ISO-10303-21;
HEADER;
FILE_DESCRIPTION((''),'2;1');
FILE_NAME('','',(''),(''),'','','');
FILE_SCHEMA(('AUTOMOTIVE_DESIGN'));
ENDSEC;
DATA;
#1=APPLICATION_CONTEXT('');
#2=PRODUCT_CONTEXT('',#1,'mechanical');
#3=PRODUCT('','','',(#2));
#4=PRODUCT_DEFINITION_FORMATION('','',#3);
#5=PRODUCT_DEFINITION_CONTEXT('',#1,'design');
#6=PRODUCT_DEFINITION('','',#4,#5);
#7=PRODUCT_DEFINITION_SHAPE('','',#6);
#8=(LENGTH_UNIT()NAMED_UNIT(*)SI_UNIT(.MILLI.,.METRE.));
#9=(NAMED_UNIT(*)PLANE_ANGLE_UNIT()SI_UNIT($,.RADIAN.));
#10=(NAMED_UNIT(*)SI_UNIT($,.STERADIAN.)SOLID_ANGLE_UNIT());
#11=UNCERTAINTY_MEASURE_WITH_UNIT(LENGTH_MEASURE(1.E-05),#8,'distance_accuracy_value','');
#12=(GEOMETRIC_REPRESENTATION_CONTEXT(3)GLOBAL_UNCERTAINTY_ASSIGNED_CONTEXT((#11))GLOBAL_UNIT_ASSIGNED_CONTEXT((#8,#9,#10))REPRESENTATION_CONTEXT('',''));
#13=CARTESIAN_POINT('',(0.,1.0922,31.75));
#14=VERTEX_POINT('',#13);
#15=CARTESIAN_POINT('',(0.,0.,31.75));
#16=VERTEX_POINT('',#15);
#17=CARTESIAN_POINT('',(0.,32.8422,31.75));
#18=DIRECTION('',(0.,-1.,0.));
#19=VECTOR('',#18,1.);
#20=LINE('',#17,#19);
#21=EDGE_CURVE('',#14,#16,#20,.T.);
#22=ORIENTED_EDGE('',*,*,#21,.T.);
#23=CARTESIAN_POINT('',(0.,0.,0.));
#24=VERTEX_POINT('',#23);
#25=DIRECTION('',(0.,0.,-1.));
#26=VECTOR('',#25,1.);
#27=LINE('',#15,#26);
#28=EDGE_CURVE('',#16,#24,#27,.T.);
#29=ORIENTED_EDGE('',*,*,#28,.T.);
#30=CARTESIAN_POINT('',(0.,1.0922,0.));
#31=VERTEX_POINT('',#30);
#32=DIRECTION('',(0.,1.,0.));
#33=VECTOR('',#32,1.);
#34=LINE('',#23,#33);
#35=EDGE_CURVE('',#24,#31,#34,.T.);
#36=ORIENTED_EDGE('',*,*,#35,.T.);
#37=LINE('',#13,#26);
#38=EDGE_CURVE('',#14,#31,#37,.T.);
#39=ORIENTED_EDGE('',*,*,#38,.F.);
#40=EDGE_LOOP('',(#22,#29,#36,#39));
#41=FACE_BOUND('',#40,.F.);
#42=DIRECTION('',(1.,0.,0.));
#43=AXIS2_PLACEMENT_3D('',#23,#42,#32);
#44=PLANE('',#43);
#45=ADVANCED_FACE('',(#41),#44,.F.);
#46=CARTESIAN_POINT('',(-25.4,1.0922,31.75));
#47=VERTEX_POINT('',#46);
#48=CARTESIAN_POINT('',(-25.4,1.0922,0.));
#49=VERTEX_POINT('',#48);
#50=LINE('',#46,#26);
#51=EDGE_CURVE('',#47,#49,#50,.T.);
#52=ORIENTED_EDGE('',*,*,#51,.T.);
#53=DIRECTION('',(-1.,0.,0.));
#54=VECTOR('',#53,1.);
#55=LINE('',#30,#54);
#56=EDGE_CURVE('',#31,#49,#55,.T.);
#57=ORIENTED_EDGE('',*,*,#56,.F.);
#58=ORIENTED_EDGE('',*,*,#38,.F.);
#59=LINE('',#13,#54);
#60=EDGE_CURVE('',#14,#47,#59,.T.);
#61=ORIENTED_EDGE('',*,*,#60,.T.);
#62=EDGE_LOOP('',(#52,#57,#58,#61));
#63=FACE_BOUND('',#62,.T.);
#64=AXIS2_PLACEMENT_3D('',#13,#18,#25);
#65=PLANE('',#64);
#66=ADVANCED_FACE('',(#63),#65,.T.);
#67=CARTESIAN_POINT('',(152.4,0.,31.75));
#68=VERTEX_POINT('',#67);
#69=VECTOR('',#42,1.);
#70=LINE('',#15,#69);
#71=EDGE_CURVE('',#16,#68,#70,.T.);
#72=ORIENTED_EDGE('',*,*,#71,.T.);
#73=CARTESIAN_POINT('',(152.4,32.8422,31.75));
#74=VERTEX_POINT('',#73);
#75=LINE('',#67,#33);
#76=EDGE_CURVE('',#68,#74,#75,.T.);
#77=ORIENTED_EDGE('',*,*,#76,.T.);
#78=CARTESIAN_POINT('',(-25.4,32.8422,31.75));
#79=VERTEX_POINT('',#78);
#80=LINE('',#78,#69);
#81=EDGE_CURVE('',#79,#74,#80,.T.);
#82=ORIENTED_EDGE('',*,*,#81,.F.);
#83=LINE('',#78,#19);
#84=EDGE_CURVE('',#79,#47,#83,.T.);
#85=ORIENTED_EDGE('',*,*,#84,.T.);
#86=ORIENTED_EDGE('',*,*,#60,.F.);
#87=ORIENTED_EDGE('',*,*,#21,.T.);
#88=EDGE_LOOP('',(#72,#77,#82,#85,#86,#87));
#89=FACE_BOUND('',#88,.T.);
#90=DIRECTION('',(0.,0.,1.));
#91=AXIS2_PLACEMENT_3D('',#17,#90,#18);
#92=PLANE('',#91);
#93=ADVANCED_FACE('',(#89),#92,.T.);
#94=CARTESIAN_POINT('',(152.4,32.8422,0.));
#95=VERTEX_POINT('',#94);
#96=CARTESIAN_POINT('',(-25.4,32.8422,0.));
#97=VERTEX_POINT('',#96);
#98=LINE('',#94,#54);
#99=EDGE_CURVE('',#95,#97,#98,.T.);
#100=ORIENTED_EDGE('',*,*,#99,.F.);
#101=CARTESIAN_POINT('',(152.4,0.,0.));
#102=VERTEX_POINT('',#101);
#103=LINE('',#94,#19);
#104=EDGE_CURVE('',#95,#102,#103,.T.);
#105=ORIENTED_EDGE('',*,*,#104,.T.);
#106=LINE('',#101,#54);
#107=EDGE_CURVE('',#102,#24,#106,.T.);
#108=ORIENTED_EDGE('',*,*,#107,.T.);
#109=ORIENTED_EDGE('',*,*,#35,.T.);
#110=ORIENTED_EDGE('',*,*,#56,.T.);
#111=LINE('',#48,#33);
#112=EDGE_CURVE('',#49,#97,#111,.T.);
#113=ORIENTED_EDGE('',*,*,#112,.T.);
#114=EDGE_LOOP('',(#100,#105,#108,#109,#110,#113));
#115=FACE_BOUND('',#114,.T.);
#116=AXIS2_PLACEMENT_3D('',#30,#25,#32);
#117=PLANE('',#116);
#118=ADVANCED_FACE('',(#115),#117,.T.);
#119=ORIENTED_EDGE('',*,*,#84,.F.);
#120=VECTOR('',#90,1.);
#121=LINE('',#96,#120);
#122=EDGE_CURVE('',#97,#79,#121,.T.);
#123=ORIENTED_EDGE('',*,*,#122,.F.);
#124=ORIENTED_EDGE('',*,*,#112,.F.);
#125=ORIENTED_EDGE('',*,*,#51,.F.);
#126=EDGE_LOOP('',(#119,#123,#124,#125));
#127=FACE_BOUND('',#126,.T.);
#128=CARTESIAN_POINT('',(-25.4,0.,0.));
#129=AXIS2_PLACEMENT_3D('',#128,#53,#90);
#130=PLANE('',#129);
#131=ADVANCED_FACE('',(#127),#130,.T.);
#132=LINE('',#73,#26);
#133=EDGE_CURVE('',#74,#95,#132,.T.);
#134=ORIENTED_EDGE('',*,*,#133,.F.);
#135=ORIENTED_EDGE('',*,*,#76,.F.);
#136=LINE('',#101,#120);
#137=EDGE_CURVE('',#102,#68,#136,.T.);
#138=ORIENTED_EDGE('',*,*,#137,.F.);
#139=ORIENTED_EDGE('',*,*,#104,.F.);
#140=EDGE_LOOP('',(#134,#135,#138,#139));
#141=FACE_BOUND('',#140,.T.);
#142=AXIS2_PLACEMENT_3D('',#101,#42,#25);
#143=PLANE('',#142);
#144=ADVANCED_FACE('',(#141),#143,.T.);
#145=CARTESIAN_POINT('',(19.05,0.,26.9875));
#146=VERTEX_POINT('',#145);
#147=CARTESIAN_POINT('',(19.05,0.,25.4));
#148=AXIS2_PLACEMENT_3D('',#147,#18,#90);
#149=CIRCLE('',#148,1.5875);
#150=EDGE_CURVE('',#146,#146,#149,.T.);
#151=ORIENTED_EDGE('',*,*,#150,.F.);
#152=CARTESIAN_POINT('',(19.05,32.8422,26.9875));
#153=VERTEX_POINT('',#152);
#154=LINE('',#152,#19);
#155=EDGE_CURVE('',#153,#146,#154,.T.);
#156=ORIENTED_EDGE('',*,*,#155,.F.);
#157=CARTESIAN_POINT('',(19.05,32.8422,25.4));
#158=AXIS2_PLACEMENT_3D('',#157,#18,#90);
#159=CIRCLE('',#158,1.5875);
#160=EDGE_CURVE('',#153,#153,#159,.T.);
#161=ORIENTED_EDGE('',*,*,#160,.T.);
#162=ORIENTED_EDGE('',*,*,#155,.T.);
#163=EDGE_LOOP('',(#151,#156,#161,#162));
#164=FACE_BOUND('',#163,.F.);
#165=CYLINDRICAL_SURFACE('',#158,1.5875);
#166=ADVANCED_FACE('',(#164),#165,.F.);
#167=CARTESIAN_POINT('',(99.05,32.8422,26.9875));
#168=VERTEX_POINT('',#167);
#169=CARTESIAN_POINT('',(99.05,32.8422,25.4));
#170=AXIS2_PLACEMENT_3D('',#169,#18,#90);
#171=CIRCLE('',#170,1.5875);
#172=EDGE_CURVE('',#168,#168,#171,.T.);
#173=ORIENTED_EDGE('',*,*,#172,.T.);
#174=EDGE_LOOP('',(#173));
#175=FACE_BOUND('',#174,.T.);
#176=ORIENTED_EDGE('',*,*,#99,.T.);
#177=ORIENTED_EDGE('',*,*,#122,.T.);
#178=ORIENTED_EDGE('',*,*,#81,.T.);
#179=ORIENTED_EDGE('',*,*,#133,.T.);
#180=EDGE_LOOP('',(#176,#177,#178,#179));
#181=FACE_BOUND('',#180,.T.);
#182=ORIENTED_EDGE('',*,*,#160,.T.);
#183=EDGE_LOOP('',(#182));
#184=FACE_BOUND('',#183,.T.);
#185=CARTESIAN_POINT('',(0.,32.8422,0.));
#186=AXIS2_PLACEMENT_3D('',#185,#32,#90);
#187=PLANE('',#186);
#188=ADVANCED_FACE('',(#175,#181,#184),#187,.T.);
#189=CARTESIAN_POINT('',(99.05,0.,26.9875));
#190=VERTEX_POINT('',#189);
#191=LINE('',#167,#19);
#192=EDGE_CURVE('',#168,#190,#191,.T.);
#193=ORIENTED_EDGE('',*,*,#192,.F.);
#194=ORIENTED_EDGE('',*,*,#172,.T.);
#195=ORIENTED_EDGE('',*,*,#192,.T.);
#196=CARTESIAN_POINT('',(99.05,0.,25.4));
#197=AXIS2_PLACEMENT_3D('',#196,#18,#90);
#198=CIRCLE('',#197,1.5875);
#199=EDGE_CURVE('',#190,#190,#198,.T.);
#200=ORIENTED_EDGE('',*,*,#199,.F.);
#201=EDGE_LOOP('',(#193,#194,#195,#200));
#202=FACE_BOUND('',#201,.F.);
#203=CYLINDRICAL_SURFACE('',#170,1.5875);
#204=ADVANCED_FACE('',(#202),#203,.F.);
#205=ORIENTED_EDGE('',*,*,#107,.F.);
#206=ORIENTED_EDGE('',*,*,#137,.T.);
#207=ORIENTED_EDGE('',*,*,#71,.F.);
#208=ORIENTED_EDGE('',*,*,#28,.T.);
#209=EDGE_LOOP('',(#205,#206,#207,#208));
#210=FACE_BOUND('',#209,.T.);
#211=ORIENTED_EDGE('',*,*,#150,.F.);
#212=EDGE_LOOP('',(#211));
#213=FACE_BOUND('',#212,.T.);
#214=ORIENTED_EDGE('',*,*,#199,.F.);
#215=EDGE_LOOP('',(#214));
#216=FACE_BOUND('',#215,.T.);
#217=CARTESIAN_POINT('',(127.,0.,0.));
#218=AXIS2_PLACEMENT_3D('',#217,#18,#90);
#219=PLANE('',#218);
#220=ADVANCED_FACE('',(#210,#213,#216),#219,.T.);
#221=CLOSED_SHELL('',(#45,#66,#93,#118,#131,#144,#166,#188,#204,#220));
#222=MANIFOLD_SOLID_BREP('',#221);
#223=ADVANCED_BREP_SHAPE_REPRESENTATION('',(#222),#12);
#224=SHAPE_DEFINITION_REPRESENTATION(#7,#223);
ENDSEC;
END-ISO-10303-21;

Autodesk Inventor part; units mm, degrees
ref_plane "YZ Plane" through (0, 0, 0) normal (1, 0, 0) x (0, 1, 0)
ref_plane "XZ Plane" through (0, 0, 0) normal (0, 1, 0) x (-1, 0, 0)
ref_plane "XY Plane" through (0, 0, 0) normal (0, 0, 1) x (1, 0, 0)
sketch "Sketch1" plane through (0, 0, 0) normal (1, 0, 0) x (0, 1, 0)
  line L0 (0, 0) -> (32.8422, 0)
  line L1 (32.8422, 0) -> (32.8422, 31.75)
  line L2 (32.8422, 31.75) -> (0, 31.75)
  line L3 (0, 31.75) -> (0, 0)
  dimension "d0" = 32.8422
  dimension "d1" = 31.75
extrude "Extrusion1" add sketch "Sketch1" along normal blind 127
sketch "Sketch2" plane through (0, 32.8422, 31.75) normal (0, 1, 0) x (1, 0, 0)
  line L0 (0, 0) -> (127, 0) projected
  line L1 (0, 31.75) -> (0, 0) projected
  point P0 (19.05, 6.35)
  point P1 (99.05, 6.35)
  dimension "d4" = 0
  dimension "d5" = 6.35
  dimension "d6" = 80
  dimension "d7" = 19.05
hole "Hole1" at (19.05, 32.8422, 25.4) at (99.05, 32.8422, 25.4) direction (0, -1, 0) diameter 3.175 end through all
sketch "Sketch3" plane through (127, 0, 0) normal (1, 0, 0) x (0, 0, -1)
  line L0 (-31.75, 32.8422) -> (0, 32.8422)
  line L1 (0, 32.8422) -> (0, 0)
  line L2 (0, 0) -> (-31.75, 0)
  line L3 (-31.75, 0) -> (-31.75, 32.8422)
  line L4 (0, 32.8422) -> (-31.75, 32.8422) projected
  line L5 (-31.75, 32.8422) -> (-31.75, 0) projected
  dimension "d15" = 0
  dimension "d16" = 0
extrude "Extrusion2" add sketch "Sketch3" along normal blind 25.4
sketch "Sketch4" plane through (0, 0, 0) normal (-1, 0, 0) x (0, 0, 1)
  line L0 (0, 32.8422) -> (31.75, 32.8422) projected
  line L1 (0, 32.8422) -> (31.75, 32.8422)
  line L2 (31.75, 32.8422) -> (31.75, 1.0922)
  line L3 (31.75, 1.0922) -> (0, 1.0922)
  line L4 (0, 1.0922) -> (0, 32.8422)
  point P0 (0, 0)
extrude "Extrusion3" add sketch "Sketch4" along normal blind 25.4
properties part number "StandoffBlocks"
